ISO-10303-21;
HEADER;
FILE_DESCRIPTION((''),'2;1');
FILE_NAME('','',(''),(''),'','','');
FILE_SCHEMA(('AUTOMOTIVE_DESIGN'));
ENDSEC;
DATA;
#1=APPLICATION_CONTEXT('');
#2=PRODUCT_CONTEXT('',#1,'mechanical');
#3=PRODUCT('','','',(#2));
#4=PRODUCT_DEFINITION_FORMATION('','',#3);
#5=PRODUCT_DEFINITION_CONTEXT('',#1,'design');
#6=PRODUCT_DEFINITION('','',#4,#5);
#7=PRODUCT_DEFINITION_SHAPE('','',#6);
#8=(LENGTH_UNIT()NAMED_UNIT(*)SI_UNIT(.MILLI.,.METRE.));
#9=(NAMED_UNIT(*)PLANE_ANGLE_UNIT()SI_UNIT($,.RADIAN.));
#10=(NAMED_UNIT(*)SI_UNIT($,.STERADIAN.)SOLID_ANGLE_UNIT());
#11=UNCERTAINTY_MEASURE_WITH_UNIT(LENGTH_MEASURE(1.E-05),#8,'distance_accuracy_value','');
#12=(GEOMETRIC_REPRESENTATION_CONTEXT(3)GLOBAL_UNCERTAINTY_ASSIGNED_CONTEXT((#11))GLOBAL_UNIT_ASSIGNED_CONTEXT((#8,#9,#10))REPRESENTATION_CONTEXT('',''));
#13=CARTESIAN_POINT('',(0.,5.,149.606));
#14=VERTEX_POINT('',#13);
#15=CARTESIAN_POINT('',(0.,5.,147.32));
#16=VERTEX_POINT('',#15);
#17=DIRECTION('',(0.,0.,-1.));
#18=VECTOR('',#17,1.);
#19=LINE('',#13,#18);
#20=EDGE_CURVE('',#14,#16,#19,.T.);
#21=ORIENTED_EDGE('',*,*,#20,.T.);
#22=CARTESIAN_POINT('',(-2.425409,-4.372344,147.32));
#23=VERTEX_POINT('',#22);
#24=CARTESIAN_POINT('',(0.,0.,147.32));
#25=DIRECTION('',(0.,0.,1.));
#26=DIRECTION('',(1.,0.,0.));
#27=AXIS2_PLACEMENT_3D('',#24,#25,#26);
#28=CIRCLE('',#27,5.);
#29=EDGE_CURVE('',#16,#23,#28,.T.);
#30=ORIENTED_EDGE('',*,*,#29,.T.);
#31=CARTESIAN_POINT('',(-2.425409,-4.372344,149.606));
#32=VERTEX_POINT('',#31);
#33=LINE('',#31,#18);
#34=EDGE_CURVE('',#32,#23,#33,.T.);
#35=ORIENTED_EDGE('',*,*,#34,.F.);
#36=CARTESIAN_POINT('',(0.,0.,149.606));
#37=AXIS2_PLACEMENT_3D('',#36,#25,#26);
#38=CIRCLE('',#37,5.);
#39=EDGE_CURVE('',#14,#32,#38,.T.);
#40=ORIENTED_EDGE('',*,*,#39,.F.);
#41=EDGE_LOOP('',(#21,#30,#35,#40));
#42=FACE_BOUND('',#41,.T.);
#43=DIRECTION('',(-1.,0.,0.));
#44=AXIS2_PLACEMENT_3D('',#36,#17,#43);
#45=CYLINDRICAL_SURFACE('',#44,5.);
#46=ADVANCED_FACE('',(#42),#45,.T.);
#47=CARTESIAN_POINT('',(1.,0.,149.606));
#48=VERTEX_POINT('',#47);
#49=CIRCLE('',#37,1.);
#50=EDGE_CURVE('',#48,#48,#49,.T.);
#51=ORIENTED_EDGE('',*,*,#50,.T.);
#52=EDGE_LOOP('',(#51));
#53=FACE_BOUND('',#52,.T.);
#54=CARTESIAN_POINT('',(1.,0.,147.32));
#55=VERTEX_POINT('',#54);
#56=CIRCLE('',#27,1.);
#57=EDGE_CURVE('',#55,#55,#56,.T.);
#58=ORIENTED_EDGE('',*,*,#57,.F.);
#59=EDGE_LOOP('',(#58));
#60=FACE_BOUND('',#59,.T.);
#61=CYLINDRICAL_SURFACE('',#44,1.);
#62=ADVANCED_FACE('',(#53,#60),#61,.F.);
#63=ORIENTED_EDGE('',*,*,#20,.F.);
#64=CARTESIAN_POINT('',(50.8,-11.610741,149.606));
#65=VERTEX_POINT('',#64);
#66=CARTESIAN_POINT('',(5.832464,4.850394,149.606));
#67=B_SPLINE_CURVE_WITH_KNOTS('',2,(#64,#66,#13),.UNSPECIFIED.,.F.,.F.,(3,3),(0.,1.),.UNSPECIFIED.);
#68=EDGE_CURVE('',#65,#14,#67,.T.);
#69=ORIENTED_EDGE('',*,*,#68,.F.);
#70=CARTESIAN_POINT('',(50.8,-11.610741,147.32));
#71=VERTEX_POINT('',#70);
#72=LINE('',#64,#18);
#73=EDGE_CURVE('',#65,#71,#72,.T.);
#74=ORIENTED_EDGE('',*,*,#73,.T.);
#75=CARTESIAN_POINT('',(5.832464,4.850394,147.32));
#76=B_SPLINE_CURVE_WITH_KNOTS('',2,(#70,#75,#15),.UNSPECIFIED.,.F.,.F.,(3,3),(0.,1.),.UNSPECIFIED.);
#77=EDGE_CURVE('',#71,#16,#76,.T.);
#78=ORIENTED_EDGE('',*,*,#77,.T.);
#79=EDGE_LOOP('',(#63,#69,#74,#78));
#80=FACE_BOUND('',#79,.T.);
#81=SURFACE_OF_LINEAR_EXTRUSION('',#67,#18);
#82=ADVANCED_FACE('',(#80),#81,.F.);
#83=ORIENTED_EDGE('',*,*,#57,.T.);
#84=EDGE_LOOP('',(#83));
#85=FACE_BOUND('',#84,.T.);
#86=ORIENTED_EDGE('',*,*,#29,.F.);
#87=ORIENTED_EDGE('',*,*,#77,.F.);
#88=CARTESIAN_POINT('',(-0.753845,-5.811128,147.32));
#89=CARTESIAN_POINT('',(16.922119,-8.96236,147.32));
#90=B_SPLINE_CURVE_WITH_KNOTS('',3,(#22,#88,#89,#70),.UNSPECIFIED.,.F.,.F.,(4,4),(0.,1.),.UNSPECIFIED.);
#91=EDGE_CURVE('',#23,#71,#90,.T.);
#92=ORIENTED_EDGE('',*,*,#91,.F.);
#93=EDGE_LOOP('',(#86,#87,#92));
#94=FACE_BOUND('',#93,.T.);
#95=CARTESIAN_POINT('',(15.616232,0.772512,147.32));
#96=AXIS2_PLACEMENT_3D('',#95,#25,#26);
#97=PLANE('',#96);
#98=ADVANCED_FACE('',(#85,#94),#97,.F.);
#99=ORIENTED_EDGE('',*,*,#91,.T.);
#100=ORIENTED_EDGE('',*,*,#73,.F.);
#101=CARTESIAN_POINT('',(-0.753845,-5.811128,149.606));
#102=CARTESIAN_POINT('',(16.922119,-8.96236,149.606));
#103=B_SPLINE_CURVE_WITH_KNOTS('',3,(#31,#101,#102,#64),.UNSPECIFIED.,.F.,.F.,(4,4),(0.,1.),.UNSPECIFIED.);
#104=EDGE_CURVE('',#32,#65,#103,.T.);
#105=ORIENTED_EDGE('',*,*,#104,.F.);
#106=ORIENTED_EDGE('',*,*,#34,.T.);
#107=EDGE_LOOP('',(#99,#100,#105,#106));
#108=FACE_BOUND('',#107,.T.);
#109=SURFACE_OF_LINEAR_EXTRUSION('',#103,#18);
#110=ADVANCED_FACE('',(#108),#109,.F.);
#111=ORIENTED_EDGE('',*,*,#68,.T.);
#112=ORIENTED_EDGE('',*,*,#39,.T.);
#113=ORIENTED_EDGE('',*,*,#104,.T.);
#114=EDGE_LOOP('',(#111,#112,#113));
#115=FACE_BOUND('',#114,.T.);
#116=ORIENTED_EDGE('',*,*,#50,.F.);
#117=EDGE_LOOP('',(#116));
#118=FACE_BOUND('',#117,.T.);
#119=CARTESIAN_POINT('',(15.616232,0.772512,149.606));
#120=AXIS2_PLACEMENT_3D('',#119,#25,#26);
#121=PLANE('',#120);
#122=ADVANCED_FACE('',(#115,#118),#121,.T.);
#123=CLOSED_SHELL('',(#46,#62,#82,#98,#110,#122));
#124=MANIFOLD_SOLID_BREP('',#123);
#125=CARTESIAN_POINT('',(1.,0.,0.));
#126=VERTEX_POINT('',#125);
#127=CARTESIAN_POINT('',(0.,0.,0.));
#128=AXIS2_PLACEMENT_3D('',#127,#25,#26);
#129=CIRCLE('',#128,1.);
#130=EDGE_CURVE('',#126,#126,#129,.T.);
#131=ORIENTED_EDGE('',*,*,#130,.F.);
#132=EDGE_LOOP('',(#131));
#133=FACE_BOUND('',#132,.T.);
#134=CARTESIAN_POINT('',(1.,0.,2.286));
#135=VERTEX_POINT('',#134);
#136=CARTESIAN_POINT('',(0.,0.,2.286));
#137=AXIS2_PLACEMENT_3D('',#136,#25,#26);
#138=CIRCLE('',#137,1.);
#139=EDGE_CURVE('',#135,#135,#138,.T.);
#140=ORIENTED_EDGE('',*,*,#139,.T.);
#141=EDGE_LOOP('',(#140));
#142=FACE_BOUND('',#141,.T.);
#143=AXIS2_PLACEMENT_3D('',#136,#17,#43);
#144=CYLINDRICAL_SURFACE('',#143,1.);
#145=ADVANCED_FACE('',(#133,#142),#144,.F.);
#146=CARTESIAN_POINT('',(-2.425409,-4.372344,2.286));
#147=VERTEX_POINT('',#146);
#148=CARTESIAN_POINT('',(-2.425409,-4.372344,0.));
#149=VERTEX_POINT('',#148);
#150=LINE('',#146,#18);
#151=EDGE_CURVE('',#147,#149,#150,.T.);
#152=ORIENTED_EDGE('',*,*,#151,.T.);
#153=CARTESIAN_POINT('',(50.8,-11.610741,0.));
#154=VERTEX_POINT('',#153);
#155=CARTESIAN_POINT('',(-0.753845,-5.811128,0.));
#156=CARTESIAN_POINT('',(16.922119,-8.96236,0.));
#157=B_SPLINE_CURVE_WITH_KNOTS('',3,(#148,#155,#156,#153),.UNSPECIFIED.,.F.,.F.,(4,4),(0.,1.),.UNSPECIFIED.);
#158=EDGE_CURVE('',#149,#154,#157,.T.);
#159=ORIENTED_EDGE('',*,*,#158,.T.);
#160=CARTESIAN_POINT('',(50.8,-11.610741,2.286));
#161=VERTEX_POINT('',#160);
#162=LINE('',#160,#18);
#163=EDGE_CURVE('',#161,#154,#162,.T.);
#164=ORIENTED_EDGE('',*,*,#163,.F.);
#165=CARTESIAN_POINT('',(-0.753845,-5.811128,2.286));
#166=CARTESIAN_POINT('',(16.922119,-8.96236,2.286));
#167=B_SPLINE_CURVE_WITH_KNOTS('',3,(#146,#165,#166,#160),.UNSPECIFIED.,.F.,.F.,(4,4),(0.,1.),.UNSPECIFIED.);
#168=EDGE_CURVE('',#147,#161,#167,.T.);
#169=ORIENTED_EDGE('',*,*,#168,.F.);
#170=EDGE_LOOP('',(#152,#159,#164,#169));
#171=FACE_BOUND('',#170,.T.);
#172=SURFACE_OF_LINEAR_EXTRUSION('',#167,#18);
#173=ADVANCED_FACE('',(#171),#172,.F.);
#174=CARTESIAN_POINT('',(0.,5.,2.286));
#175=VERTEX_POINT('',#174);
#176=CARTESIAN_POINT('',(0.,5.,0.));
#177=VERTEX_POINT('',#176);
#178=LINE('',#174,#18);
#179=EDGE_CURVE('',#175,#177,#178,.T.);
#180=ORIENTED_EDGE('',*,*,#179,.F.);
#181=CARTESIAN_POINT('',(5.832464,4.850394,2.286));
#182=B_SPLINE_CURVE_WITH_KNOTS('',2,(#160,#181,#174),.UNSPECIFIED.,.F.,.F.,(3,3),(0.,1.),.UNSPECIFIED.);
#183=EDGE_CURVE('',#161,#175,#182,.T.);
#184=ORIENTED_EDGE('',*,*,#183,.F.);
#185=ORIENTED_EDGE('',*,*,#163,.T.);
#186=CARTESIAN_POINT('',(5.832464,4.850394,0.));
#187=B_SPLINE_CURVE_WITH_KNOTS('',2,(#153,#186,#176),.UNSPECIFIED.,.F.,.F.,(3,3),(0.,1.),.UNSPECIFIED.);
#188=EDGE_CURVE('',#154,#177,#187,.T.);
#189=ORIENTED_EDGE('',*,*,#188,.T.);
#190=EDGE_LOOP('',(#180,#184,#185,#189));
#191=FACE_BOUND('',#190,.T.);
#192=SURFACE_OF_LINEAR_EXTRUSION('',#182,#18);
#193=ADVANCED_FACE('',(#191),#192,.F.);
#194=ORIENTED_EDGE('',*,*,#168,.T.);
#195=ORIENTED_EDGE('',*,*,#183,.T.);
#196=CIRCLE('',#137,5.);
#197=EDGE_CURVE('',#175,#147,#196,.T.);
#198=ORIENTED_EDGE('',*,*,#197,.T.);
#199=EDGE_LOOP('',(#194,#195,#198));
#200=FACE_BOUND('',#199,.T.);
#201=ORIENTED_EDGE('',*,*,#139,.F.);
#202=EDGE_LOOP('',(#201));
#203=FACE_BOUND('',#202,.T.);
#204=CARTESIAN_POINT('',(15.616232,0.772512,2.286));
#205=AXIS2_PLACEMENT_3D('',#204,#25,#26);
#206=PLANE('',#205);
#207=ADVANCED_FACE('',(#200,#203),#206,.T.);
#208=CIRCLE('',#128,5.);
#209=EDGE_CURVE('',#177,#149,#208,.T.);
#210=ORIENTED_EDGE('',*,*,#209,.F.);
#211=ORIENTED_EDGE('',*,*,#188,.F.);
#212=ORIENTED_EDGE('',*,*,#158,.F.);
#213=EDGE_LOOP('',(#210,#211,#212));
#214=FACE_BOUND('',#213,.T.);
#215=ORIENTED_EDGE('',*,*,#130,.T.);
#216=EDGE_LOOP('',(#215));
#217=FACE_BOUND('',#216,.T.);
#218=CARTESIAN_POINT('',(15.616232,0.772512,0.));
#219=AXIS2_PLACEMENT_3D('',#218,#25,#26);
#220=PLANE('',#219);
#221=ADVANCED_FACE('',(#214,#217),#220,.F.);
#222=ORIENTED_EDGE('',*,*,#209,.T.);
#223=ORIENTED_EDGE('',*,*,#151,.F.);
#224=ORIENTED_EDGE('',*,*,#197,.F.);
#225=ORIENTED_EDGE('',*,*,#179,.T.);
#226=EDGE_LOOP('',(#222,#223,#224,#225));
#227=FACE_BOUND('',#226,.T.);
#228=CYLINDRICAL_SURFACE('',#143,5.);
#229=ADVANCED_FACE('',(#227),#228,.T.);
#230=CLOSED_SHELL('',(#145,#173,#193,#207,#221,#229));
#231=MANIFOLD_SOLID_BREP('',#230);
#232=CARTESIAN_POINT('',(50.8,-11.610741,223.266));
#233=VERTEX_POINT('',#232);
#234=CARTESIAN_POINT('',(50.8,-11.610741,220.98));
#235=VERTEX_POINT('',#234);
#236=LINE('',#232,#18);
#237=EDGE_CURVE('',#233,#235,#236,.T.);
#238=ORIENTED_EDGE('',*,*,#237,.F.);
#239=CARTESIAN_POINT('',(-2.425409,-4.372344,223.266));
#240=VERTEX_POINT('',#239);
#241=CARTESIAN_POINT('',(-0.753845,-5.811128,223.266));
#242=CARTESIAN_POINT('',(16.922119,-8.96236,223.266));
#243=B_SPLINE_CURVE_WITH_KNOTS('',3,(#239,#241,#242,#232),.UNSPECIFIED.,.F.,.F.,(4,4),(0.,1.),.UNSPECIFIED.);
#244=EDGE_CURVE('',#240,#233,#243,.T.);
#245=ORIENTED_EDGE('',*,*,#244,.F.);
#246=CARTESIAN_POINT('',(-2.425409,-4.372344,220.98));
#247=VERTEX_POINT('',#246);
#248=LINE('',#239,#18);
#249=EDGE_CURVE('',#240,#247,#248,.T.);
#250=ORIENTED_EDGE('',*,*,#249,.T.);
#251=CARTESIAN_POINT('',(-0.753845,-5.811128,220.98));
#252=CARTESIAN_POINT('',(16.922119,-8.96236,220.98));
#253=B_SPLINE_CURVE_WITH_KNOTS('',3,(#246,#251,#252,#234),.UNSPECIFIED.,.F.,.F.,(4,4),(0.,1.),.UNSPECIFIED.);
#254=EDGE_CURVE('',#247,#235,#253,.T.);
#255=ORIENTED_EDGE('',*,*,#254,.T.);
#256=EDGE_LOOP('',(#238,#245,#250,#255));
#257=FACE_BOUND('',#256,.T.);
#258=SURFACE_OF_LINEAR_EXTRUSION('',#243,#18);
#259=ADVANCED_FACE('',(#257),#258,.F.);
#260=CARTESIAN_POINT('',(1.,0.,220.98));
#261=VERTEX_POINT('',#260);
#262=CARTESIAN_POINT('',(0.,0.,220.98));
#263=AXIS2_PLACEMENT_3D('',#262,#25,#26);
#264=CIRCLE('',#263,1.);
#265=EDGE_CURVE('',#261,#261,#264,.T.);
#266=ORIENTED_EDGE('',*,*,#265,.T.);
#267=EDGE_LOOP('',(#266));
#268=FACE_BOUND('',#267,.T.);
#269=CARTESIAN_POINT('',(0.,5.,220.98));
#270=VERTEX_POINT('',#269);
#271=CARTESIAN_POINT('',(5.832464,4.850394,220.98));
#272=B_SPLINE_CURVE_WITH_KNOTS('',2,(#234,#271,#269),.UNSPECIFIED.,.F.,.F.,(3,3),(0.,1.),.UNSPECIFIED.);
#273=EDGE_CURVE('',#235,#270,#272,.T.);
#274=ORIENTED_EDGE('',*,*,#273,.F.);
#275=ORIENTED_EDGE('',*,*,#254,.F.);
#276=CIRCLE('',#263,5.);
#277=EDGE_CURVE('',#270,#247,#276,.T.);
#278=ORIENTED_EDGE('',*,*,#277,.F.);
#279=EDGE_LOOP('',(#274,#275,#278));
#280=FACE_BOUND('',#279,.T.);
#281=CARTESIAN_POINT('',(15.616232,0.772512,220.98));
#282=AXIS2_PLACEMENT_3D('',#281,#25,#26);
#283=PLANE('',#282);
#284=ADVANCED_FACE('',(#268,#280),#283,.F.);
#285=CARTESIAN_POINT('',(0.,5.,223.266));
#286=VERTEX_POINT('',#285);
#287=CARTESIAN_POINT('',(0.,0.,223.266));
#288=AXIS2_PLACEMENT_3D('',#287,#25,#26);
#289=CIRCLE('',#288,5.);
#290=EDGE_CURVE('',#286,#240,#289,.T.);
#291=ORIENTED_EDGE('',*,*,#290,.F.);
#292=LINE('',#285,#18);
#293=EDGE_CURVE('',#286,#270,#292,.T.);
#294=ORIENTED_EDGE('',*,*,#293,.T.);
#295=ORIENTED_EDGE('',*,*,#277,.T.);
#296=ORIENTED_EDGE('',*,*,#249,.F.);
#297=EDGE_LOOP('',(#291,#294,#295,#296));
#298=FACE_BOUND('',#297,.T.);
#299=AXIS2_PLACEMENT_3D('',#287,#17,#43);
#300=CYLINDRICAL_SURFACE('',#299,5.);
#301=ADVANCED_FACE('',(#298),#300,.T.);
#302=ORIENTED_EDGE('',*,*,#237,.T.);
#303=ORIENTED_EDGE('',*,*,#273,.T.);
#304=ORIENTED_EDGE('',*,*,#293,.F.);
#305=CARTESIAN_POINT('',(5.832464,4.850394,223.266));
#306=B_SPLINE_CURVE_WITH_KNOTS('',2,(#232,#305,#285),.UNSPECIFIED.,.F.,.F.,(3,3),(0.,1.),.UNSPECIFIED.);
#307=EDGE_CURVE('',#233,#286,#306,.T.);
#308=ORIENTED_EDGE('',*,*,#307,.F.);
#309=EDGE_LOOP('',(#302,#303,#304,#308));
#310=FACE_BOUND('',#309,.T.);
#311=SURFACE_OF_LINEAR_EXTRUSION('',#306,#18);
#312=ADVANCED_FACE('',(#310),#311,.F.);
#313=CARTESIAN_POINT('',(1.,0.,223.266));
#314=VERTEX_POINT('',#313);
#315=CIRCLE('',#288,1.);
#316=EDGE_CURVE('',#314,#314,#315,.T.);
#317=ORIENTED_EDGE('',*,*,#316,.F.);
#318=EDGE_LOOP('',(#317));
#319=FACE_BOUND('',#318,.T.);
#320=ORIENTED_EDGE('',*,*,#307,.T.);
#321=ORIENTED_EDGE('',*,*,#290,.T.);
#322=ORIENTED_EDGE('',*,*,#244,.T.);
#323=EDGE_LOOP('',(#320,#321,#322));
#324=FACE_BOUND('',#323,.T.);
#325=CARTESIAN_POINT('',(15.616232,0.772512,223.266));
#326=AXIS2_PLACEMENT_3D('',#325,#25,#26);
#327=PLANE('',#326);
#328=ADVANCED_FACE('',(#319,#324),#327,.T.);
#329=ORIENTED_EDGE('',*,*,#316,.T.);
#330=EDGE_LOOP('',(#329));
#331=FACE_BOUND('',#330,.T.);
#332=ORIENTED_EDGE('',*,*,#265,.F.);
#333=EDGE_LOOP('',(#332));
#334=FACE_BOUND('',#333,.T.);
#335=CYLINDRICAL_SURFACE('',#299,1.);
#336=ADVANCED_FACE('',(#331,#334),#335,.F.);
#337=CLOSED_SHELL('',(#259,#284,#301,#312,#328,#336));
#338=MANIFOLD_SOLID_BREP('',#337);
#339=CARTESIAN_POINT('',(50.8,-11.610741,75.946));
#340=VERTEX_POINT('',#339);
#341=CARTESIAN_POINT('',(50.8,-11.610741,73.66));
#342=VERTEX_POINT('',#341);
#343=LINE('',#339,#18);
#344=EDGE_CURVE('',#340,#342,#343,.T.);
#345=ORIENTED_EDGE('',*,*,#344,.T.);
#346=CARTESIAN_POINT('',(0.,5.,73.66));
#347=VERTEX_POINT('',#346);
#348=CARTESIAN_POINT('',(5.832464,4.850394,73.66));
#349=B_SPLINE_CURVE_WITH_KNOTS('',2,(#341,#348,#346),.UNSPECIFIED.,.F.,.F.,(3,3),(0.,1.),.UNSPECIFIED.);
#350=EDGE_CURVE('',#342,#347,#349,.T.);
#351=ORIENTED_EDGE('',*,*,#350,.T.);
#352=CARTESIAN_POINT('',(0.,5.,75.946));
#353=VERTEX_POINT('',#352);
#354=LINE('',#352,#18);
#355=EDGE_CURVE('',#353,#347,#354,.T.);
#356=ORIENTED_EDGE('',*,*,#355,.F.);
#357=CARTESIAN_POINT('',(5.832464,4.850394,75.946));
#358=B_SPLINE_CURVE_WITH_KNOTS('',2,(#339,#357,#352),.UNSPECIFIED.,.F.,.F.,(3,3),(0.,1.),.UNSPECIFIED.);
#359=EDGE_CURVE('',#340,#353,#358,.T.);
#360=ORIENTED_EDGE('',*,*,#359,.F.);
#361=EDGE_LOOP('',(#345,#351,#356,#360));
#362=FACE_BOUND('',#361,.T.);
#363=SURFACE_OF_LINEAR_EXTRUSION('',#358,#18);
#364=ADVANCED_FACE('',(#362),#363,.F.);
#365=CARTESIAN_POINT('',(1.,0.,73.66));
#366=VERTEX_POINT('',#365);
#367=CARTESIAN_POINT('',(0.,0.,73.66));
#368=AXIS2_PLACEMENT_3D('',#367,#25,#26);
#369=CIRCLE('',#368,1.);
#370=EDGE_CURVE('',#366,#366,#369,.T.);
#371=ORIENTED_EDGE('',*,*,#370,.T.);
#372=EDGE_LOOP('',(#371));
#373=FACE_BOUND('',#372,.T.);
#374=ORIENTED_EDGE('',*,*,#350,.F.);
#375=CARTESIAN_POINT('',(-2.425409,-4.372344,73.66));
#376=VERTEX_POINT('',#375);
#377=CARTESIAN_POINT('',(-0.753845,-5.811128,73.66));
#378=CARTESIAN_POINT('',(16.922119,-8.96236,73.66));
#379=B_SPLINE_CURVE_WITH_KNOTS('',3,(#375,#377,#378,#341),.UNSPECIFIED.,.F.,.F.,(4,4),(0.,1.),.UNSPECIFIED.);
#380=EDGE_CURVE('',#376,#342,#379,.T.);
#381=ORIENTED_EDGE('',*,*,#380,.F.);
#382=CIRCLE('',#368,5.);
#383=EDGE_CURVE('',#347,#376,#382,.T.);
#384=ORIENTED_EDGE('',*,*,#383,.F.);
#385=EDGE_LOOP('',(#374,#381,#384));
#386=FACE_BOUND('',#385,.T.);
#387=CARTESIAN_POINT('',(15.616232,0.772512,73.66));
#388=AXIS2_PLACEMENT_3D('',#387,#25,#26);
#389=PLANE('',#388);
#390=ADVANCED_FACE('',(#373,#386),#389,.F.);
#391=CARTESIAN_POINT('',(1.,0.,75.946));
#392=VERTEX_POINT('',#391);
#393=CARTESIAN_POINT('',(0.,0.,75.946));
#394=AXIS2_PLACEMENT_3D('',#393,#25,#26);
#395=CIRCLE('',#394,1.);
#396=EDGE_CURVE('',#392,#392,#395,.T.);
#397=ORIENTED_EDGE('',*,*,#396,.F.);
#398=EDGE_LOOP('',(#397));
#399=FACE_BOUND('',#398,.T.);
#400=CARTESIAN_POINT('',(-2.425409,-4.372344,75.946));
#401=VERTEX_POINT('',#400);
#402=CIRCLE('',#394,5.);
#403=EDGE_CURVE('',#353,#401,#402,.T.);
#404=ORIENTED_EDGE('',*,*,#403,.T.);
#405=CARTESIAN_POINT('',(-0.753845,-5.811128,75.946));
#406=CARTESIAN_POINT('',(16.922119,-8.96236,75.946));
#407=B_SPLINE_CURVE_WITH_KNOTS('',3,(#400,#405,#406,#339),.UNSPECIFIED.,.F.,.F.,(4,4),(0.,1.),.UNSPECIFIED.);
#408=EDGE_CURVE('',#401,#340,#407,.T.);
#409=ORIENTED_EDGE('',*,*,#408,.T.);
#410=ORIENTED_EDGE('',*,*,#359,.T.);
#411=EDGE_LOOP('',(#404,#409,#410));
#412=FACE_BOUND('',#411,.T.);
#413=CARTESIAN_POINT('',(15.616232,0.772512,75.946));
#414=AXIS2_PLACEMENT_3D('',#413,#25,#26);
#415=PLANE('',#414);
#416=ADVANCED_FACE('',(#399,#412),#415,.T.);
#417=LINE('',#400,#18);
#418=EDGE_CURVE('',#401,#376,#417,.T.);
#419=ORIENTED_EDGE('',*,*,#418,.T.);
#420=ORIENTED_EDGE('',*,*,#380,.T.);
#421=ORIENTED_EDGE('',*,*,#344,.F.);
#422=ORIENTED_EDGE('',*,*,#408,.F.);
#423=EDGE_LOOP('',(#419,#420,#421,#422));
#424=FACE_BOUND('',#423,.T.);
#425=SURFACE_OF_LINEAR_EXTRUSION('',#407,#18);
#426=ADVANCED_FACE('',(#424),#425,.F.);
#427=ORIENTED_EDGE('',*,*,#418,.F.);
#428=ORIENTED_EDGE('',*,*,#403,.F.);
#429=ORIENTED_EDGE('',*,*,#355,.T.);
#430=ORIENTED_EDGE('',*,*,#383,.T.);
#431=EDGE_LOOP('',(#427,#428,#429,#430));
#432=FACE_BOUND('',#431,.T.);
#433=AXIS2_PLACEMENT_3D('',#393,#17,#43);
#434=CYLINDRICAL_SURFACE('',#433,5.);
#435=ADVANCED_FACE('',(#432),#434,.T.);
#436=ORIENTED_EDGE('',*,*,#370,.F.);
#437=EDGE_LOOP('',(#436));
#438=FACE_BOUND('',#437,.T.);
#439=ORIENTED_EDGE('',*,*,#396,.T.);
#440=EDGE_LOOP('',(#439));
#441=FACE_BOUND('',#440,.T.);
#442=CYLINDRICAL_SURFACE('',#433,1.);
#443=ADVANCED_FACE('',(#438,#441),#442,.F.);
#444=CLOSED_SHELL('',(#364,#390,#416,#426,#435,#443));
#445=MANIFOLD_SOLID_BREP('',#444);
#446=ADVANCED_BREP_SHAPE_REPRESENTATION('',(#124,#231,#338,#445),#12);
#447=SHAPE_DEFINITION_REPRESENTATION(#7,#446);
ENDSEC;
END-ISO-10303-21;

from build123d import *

# Parameters (mm, degrees)
SKETCH2_R           = 1
BOSS_EXTRUDE4_DEPTH = 2.286
SKETCH9_R           = 1
BOSS_EXTRUDE5_DEPTH = 2.286
SKETCH10_R          = 1
BOSS_EXTRUDE6_DEPTH = 2.286
SKETCH13_R          = 1
BOSS_EXTRUDE7_DEPTH = 2.286


with BuildPart() as part:
    # Sketch2 → Boss-Extrude4 (new body)
    with BuildSketch(Plane.XY):
        with BuildLine():
            ThreePointArc((0, 5), (-4.840543404, 1.252653008), (-2.425408502, -4.372344177))
            add(Edge.make_bspline(
                [(-2.425408502, -4.372344177), (-0.75384545, -5.811128073), (16.922119164, -8.962359502), (50.8, -11.610741386)],
                knots=[0, 0, 0, 0, 1, 1, 1, 1], degree=3))
            add(Edge.make_bspline(
                [(0, 5), (5.832463916, 4.850394407), (50.8, -11.610741386)],
                knots=[0, 0, 0, 1, 1, 1], degree=2))
        make_face()
        Circle(SKETCH2_R, mode=Mode.SUBTRACT)
    extrude(amount=BOSS_EXTRUDE4_DEPTH)


with BuildPart() as body_2:
    # Sketch9 → Boss-Extrude5 (new body)
    with BuildSketch(Plane.XY.offset(73.66)):
        with BuildLine():
            ThreePointArc((0, 5), (-4.840543404, 1.252653008), (-2.425408502, -4.372344177))
            add(Edge.make_bspline(
                [(-2.425408502, -4.372344177), (-0.75384545, -5.811128073), (16.922119164, -8.962359502), (50.8, -11.610741386)],
                knots=[0, 0, 0, 0, 1, 1, 1, 1], degree=3))
            add(Edge.make_bspline(
                [(0, 5), (5.832463916, 4.850394407), (50.8, -11.610741386)],
                knots=[0, 0, 0, 1, 1, 1], degree=2))
        make_face()
        Circle(SKETCH9_R, mode=Mode.SUBTRACT)
    extrude(amount=BOSS_EXTRUDE5_DEPTH)


with BuildPart() as body_3:
    # Sketch10 → Boss-Extrude6 (new body)
    with BuildSketch(Plane.XY.offset(147.32)):
        with BuildLine():
            ThreePointArc((0, 5), (-4.840543404, 1.252653008), (-2.425408502, -4.372344177))
            add(Edge.make_bspline(
                [(-2.425408502, -4.372344177), (-0.75384545, -5.811128073), (16.922119164, -8.962359502), (50.8, -11.610741386)],
                knots=[0, 0, 0, 0, 1, 1, 1, 1], degree=3))
            add(Edge.make_bspline(
                [(0, 5), (5.832463916, 4.850394407), (50.8, -11.610741386)],
                knots=[0, 0, 0, 1, 1, 1], degree=2))
        make_face()
        Circle(SKETCH10_R, mode=Mode.SUBTRACT)
    extrude(amount=BOSS_EXTRUDE6_DEPTH)


with BuildPart() as body_4:
    # Sketch13 → Boss-Extrude7 (new body)
    with BuildSketch(Plane.XY.offset(220.98)):
        with BuildLine():
            ThreePointArc((0, 5), (-4.840543404, 1.252653008), (-2.425408502, -4.372344177))
            add(Edge.make_bspline(
                [(-2.425408502, -4.372344177), (-0.75384545, -5.811128073), (16.922119164, -8.962359502), (50.8, -11.610741386)],
                knots=[0, 0, 0, 0, 1, 1, 1, 1], degree=3))
            add(Edge.make_bspline(
                [(0, 5), (5.832463916, 4.850394407), (50.8, -11.610741386)],
                knots=[0, 0, 0, 1, 1, 1], degree=2))
        make_face()
        Circle(SKETCH13_R, mode=Mode.SUBTRACT)
    extrude(amount=BOSS_EXTRUDE7_DEPTH)


solid = Compound([part.part, body_2.part, body_3.part, body_4.part])
